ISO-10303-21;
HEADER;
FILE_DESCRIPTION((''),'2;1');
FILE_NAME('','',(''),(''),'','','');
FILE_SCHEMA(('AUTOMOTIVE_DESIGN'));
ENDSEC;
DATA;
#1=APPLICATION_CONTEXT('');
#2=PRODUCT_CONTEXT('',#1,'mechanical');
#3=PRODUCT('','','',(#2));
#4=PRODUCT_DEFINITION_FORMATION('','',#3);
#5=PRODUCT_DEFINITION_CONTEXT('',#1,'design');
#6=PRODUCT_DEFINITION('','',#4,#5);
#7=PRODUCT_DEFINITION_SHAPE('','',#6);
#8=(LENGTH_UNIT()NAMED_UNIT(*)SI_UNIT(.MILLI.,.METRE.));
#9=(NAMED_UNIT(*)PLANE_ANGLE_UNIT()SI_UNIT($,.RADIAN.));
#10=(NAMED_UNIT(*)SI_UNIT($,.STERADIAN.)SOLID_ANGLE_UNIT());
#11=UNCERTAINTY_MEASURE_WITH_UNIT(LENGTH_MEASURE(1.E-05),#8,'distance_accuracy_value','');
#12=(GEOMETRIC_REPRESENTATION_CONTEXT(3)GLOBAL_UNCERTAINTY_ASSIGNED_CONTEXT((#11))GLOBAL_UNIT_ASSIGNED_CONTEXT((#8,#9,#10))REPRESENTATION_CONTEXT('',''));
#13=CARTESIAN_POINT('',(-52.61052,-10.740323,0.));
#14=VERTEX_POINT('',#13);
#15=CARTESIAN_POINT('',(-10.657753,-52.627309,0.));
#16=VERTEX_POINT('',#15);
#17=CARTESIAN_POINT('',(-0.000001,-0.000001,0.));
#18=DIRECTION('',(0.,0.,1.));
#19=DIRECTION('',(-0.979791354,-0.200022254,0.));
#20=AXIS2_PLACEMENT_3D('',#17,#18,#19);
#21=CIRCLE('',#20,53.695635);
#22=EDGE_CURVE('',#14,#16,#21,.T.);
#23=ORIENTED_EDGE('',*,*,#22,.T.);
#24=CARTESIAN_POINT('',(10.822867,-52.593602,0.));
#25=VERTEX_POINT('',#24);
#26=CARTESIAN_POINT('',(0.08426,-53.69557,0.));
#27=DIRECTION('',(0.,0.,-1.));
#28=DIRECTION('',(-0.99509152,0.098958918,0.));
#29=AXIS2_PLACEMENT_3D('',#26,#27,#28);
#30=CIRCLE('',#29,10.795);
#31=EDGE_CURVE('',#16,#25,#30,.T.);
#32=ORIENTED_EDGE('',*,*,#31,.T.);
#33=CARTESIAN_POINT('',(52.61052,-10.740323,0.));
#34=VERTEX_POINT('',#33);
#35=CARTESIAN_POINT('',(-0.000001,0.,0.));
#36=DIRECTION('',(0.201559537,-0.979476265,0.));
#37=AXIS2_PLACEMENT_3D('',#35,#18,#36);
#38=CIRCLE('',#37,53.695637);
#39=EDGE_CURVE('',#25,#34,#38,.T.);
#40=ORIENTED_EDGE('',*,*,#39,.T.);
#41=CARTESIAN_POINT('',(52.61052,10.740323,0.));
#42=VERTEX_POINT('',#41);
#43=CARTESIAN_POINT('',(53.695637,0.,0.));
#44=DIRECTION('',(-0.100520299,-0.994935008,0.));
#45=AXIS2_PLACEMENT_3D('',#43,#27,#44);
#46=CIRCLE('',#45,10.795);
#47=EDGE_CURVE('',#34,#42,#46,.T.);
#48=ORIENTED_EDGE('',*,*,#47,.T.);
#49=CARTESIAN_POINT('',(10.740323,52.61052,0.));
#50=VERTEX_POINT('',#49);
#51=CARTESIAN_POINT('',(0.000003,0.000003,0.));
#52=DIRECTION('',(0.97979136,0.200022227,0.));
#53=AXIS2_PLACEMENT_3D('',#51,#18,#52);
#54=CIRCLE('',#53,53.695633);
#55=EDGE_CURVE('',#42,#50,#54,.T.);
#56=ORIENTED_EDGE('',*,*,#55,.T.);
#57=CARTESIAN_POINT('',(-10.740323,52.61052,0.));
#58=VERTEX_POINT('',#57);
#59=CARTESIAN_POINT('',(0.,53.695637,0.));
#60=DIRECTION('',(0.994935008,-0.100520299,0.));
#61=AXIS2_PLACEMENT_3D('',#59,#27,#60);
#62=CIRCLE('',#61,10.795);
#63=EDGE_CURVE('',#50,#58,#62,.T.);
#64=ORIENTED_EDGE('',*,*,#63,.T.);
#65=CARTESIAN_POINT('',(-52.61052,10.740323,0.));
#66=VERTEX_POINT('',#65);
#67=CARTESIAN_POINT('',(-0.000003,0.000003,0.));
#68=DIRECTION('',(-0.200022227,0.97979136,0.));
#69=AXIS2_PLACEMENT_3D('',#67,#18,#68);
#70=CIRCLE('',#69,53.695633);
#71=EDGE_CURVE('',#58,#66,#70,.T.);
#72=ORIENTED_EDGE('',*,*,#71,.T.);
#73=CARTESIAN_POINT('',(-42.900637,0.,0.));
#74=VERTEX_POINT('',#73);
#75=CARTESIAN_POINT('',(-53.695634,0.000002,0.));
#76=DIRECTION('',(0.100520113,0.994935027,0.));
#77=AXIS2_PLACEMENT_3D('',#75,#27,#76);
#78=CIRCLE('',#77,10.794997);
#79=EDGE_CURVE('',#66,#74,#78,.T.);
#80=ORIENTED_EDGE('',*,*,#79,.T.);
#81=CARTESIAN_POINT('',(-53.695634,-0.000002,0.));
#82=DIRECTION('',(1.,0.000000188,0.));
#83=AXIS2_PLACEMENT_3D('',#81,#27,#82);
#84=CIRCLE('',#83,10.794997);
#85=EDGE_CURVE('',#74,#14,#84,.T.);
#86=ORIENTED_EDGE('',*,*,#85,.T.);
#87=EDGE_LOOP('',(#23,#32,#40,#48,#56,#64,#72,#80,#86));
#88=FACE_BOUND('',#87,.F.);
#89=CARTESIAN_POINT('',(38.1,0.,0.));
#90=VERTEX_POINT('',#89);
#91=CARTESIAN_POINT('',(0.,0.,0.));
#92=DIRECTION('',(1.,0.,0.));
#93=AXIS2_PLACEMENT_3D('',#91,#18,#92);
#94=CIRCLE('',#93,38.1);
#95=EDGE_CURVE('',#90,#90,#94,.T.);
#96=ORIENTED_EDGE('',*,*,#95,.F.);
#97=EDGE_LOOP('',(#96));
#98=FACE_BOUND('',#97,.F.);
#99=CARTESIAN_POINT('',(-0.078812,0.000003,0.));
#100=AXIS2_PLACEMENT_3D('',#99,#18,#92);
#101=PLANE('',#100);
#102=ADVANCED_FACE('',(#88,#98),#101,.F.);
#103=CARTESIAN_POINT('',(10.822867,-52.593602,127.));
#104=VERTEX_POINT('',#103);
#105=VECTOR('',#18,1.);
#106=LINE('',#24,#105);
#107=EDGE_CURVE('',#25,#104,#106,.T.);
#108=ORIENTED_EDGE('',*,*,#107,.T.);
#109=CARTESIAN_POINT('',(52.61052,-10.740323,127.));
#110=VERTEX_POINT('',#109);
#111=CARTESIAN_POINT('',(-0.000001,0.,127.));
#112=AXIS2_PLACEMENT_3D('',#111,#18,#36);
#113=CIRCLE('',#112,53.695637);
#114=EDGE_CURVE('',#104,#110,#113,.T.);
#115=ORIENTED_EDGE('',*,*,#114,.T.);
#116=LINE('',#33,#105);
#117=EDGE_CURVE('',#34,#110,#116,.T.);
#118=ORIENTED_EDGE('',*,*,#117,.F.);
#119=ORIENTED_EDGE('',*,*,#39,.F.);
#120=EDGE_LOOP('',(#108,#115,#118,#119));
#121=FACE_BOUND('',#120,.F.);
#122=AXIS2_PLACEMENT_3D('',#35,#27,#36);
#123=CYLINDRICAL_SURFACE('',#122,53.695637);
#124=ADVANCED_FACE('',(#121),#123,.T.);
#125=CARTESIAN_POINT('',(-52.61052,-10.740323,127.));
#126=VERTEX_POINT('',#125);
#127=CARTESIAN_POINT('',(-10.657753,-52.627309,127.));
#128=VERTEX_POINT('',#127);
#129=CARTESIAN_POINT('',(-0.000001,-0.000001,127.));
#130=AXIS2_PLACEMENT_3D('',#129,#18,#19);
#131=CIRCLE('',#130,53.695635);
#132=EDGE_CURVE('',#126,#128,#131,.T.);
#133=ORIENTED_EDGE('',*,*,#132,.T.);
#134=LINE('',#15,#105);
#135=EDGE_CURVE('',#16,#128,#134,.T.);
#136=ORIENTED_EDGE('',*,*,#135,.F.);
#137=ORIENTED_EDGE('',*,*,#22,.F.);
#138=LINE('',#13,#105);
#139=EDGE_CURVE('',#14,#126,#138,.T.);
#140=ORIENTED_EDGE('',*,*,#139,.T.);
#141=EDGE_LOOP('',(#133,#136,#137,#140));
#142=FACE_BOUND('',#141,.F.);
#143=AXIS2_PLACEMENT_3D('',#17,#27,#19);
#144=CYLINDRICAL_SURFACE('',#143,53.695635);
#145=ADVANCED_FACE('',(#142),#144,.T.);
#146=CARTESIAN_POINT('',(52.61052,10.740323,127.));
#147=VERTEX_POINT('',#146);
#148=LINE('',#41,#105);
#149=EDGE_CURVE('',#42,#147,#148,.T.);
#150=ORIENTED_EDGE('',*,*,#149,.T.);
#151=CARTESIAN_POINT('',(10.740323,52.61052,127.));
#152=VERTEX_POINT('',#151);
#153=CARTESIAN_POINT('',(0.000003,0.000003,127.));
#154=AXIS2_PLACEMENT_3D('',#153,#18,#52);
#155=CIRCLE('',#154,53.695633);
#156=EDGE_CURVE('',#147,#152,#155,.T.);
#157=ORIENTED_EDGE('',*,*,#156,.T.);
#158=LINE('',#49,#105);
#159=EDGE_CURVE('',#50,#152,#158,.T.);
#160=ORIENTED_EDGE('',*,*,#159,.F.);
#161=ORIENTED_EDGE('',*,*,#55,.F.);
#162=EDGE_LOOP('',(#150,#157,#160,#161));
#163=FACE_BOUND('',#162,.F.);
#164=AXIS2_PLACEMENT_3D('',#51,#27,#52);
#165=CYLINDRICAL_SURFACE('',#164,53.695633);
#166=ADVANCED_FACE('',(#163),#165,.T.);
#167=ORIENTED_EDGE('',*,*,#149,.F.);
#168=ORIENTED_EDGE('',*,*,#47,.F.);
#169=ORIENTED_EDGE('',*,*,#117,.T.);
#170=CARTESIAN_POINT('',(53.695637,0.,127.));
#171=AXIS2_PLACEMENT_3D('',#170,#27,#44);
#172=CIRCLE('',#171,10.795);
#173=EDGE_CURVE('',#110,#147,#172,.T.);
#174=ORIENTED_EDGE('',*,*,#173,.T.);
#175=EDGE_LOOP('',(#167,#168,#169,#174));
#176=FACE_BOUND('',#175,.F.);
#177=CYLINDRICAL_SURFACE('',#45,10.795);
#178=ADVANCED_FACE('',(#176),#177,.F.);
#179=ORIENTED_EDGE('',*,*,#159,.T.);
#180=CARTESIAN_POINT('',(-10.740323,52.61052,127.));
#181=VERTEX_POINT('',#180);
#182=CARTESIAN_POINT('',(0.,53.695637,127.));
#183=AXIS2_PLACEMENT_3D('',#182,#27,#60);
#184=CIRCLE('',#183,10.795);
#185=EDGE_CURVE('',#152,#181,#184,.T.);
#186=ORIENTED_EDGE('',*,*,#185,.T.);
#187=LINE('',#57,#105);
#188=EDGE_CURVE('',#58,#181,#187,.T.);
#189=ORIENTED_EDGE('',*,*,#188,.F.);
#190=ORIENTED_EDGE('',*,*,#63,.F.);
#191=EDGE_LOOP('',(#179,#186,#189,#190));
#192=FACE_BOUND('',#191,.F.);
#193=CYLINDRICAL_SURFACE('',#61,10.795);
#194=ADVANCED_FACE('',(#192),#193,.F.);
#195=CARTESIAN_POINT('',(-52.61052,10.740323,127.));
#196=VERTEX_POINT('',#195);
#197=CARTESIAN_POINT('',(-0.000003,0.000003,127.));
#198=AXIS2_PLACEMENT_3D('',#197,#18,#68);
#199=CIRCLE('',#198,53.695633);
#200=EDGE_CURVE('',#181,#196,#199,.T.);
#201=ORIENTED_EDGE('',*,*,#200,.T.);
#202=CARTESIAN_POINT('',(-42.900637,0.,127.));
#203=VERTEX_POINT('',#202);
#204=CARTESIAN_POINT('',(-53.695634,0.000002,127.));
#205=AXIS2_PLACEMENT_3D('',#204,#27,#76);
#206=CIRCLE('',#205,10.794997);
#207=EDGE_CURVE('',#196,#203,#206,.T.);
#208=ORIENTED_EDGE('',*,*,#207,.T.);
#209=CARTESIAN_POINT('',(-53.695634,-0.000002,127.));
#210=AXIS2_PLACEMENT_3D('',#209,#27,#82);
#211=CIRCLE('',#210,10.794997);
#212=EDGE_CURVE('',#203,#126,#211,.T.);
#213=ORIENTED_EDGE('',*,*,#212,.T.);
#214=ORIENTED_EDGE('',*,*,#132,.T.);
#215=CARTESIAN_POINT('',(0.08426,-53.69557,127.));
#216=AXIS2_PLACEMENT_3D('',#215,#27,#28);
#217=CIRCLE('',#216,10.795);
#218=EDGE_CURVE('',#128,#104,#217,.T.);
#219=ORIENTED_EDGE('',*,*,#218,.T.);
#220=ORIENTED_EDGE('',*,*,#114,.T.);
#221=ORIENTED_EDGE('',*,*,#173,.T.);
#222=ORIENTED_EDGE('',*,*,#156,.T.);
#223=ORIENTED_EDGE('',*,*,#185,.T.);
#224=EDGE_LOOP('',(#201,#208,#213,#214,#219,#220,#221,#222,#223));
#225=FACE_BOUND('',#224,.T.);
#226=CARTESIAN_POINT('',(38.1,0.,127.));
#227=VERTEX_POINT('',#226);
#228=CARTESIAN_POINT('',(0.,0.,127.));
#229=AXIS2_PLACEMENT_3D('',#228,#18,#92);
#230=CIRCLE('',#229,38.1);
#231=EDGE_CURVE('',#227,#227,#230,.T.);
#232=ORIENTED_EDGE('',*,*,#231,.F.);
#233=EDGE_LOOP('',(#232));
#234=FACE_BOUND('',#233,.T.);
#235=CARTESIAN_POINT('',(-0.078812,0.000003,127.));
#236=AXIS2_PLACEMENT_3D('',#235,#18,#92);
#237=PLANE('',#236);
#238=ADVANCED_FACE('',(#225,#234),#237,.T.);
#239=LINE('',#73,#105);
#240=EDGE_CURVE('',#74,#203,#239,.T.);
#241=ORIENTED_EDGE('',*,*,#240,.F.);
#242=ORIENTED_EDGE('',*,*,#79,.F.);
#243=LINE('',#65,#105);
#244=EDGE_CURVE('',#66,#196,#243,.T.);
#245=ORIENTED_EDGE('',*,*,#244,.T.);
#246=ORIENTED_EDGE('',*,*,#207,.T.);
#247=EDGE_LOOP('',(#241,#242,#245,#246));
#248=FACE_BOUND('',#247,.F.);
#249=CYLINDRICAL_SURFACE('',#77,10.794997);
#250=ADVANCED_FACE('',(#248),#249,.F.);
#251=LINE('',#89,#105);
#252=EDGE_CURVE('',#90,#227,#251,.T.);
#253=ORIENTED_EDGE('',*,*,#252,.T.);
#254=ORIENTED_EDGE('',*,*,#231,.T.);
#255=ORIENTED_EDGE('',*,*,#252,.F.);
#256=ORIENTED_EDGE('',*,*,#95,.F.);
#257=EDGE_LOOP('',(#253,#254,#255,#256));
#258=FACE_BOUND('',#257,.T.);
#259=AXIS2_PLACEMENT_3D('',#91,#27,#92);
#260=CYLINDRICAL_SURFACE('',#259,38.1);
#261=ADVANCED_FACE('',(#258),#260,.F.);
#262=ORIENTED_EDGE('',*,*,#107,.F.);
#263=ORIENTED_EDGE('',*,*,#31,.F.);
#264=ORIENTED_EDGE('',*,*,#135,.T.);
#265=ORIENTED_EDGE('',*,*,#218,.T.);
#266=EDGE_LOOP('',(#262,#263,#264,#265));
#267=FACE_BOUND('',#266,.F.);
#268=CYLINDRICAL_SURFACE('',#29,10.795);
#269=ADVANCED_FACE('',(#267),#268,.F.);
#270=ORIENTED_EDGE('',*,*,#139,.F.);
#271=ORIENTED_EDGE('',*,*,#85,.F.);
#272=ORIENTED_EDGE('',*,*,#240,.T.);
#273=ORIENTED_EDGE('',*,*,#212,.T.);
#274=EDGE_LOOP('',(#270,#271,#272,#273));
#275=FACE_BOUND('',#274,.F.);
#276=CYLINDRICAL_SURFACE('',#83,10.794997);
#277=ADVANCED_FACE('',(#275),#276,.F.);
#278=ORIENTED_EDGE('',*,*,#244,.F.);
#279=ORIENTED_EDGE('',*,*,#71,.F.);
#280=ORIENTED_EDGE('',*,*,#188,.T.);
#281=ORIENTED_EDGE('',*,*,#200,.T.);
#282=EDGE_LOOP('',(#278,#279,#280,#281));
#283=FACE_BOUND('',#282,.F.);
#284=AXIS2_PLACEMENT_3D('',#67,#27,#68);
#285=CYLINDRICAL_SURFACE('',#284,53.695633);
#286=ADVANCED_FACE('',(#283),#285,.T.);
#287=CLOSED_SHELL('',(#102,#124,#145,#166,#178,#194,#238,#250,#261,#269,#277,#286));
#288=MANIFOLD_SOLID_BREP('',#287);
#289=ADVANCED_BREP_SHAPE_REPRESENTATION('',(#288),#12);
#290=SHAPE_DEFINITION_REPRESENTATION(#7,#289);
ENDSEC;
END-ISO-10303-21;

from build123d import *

# Parameters (mm, degrees)
F0_R     = 38.1
F1_DEPTH = 127


with BuildPart() as f1:
    # F0 (on Top) → F1 (new body)
    with BuildSketch(Plane.XY):
        with BuildLine():
            ThreePointArc((52.61052, -10.740323), (42.900637, 0), (52.61052, 10.740323))
            ThreePointArc((52.61052, 10.740323), (37.968549, 37.968549), (10.740323, 52.61052))
            ThreePointArc((10.740323, 52.61052), (0, 42.900637), (-10.740323, 52.61052))
            ThreePointArc((-10.740323, 52.61052), (-37.968549, 37.968549), (-52.61052, 10.740323))
            ThreePointArc((-52.61052, 10.740323), (-45.687957, 7.239413), (-42.900637, 0))
            ThreePointArc((-42.900637, 0), (-45.687957, -7.239413), (-52.61052, -10.740323))
            ThreePointArc((-52.61052, -10.740323), (-37.938747, -37.998327), (-10.657753, -52.627309))
            ThreePointArc((-10.657753, -52.627309), (0.06732, -42.900584), (10.822867, -52.593602))
            ThreePointArc((10.822867, -52.593602), (37.998327, -37.938747), (52.61052, -10.740323))
        make_face()
        Circle(F0_R, mode=Mode.SUBTRACT)
    extrude(amount=F1_DEPTH)


solid = f1.part
